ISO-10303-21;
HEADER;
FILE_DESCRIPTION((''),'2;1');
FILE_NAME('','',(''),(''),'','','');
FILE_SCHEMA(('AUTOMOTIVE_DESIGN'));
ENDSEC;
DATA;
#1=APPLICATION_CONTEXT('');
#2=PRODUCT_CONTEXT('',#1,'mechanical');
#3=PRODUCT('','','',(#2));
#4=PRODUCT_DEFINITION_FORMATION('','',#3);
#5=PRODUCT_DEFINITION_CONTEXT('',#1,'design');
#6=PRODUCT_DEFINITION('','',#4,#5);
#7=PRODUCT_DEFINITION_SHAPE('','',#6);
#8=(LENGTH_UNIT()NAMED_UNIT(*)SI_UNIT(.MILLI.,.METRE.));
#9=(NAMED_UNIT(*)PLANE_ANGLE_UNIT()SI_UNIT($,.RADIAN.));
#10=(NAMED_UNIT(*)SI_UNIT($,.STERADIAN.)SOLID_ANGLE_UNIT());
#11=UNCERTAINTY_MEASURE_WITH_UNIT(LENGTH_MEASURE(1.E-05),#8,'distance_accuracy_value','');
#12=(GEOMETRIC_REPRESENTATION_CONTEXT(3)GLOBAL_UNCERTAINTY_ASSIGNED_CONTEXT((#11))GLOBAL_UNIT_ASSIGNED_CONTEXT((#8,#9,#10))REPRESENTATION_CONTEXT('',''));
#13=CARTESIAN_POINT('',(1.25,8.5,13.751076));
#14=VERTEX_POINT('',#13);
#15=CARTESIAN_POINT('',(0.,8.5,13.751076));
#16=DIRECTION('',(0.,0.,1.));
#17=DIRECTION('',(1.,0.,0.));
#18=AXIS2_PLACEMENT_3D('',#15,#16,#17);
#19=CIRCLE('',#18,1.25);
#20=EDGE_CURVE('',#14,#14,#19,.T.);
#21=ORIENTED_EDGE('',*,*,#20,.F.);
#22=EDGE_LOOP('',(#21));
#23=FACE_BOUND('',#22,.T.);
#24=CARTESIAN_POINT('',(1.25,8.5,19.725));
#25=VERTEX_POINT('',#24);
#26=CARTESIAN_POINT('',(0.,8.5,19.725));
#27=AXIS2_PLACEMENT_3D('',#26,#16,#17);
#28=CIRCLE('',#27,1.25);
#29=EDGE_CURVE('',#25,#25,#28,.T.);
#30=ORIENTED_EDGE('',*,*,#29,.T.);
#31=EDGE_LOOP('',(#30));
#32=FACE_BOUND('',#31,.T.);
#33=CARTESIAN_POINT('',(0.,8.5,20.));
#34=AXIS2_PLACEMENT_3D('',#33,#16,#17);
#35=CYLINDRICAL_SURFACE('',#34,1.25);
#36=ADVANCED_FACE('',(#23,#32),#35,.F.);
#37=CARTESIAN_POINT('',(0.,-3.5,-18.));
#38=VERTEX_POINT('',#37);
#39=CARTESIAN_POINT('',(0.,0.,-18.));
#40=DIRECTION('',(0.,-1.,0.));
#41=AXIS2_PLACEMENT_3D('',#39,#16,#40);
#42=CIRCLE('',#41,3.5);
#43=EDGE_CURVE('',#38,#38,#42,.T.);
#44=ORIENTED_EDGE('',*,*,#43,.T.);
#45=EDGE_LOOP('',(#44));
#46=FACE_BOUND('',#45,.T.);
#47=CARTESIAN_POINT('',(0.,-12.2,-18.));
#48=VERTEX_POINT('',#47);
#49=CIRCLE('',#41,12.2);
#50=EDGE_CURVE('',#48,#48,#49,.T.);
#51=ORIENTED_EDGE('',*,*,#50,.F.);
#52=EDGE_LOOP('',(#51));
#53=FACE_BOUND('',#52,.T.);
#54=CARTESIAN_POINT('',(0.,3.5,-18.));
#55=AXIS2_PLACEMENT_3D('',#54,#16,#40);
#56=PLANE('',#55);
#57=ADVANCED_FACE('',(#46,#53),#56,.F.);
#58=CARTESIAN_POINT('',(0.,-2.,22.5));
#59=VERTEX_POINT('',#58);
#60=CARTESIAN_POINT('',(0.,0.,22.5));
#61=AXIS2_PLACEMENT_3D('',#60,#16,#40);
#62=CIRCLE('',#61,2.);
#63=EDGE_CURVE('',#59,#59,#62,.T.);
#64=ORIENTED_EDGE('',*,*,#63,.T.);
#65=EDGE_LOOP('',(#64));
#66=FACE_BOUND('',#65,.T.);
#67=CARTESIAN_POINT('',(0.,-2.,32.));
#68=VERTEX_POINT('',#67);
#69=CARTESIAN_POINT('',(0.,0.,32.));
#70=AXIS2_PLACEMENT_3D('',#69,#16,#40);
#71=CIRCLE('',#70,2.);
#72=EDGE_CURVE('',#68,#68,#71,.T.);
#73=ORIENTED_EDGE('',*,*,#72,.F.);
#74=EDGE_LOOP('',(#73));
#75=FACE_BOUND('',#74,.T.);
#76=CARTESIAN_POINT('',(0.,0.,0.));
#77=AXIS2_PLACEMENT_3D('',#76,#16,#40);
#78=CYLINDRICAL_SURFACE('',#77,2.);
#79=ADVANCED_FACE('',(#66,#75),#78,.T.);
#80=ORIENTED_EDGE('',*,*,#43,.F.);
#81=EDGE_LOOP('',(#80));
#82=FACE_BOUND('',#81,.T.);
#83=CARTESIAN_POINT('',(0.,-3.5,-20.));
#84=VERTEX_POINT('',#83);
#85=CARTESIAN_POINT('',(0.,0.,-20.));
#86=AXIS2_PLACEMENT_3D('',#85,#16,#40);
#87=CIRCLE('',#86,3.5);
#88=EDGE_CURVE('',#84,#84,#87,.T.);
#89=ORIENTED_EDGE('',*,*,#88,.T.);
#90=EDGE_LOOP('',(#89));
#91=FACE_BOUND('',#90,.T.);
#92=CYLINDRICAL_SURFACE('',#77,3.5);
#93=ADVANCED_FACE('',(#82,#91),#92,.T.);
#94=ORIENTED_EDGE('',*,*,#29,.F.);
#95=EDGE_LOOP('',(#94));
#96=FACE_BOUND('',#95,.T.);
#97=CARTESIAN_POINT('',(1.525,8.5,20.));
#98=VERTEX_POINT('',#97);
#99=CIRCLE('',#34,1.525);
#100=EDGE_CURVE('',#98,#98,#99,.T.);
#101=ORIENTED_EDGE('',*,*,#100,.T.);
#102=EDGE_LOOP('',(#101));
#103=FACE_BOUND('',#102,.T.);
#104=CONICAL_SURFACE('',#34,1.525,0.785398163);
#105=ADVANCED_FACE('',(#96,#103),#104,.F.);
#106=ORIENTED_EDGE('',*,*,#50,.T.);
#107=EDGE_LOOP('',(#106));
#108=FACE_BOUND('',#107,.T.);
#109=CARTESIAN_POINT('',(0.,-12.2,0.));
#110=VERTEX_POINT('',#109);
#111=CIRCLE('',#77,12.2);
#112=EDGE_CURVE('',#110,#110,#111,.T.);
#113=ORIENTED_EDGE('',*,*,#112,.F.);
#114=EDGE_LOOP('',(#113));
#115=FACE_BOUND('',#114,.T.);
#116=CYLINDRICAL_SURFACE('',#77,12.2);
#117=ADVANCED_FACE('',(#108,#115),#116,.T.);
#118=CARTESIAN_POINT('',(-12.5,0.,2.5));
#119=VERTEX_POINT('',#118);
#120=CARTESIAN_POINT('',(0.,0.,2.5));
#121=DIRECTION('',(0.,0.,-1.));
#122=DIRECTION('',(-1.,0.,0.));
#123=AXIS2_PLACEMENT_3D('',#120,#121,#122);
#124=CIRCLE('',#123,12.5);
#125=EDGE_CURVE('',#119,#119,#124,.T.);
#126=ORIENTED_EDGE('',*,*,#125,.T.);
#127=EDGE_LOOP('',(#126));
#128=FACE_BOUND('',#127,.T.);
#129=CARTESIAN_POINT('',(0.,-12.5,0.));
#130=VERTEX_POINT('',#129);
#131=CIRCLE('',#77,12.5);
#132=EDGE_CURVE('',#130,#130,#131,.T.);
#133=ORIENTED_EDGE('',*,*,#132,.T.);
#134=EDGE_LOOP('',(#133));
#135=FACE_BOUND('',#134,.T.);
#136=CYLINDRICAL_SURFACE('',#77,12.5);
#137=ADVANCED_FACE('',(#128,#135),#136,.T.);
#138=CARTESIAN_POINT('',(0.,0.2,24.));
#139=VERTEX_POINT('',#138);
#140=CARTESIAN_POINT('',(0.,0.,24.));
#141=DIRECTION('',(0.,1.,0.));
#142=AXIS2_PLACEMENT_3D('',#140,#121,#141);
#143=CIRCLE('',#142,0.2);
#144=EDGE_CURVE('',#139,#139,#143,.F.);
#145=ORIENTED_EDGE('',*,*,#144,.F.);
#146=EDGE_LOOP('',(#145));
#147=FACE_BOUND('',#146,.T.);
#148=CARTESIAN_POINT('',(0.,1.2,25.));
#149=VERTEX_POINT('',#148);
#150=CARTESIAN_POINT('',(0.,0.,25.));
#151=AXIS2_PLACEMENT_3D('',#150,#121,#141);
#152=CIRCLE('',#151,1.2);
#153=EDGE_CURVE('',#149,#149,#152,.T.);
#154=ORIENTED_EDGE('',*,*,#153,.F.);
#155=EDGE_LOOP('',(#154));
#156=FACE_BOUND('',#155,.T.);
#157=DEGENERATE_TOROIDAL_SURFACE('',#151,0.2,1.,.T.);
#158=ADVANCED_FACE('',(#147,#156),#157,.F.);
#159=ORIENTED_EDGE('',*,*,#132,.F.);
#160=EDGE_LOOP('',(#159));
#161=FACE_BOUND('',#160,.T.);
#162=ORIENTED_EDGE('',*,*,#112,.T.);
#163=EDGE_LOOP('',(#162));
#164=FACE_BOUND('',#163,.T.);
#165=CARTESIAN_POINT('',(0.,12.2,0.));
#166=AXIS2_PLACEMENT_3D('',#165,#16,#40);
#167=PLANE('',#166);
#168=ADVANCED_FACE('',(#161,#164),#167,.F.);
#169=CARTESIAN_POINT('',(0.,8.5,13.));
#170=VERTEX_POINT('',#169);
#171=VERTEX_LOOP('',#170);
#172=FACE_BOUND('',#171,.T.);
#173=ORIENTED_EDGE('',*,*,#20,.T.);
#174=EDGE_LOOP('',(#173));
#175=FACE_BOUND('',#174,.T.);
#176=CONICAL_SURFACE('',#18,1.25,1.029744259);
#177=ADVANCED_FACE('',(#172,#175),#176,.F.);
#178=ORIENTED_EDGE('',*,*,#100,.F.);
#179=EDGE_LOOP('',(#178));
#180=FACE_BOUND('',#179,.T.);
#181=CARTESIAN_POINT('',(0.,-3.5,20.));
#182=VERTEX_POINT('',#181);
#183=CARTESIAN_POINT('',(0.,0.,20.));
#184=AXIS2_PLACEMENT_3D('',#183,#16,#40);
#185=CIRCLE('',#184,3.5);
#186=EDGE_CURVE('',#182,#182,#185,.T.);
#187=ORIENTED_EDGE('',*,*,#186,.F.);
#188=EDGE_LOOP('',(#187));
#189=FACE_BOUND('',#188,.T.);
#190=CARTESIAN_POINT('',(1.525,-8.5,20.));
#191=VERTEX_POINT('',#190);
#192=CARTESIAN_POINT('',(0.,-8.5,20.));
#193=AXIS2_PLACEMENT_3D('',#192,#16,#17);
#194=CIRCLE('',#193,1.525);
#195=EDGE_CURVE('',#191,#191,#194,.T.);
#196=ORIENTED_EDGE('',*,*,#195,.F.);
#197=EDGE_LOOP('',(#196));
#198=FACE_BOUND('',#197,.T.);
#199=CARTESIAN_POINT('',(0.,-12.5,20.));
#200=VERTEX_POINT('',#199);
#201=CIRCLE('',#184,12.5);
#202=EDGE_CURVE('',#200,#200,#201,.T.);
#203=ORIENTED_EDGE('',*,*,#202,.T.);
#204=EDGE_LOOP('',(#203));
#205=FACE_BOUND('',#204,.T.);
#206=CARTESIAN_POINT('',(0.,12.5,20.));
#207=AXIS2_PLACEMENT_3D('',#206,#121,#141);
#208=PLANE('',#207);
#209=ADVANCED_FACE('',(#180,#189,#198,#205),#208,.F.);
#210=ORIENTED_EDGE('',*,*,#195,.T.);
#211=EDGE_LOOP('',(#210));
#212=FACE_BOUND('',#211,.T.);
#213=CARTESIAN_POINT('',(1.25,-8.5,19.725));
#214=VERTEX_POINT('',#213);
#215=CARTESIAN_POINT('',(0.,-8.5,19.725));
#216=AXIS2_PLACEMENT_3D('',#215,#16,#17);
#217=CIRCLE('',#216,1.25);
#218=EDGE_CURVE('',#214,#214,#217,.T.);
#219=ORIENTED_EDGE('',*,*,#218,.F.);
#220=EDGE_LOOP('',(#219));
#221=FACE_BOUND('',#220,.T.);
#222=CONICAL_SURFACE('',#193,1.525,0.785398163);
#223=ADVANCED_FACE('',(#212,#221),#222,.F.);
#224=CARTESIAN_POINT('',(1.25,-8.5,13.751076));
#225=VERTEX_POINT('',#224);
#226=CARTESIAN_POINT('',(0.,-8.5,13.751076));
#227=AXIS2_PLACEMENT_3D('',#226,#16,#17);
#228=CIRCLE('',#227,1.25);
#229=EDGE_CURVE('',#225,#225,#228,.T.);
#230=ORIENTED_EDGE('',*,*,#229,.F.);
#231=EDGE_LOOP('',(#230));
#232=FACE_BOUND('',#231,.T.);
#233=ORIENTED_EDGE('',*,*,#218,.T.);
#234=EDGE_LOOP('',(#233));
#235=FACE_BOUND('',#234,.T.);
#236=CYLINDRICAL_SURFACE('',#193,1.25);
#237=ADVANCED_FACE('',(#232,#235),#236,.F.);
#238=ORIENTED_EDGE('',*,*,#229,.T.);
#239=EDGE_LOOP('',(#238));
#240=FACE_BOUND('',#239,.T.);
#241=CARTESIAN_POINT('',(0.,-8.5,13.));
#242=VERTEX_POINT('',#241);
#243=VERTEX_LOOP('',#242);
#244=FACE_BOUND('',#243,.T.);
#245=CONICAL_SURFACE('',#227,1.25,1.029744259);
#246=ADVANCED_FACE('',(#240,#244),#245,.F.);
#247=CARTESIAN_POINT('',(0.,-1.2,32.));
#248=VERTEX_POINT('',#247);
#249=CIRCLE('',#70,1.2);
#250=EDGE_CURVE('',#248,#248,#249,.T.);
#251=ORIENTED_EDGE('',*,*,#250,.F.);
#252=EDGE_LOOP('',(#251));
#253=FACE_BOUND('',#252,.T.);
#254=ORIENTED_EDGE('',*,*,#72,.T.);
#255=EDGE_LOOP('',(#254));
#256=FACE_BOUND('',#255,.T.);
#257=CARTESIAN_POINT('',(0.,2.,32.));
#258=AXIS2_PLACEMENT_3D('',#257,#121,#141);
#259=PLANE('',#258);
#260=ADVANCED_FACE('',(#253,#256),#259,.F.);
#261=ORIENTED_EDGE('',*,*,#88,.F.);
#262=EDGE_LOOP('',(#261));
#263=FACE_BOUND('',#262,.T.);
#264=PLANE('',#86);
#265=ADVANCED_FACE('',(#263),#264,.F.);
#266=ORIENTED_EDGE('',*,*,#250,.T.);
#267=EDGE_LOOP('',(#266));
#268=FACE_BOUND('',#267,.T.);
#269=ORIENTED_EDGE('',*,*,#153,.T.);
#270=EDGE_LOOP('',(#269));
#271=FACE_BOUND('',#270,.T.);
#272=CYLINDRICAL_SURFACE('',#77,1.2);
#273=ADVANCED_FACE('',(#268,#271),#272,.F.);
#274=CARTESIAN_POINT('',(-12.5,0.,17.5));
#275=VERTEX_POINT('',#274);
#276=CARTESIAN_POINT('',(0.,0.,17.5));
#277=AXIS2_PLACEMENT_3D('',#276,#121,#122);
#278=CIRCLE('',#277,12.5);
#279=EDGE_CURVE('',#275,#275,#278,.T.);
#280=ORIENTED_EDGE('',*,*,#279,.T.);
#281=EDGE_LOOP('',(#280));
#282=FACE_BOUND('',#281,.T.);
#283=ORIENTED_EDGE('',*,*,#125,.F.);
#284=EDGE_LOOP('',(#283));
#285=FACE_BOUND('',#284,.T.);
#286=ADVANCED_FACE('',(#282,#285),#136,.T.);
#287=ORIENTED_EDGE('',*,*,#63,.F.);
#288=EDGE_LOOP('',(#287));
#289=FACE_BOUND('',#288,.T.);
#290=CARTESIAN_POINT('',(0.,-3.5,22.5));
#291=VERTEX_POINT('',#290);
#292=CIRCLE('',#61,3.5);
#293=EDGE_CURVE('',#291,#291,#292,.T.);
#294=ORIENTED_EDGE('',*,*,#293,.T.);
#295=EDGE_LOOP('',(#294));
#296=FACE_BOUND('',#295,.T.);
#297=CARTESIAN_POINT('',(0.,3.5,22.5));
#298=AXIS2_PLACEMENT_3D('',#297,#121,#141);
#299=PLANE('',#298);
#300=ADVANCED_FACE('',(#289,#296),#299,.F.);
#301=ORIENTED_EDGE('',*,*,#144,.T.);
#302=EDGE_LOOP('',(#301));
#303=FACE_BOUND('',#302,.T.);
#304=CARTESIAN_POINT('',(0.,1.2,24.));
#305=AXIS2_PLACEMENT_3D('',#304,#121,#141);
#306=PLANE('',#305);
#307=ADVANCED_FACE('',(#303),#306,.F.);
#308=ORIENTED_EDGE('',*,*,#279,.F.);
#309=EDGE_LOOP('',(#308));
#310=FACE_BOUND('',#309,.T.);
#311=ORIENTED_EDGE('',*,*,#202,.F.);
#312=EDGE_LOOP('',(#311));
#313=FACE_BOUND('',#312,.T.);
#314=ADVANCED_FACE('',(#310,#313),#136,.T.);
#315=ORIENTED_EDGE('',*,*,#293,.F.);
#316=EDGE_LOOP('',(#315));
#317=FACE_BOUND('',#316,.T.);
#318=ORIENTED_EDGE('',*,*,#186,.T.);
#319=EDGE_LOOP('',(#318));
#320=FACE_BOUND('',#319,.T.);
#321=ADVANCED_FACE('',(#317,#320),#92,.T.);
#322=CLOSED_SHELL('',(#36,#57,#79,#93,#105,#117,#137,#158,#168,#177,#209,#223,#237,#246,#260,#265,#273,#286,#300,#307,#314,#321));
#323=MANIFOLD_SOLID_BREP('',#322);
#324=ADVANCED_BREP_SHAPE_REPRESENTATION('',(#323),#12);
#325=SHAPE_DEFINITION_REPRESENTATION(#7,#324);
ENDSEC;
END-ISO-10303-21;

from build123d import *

# Parameters (mm, degrees)
M3X0_5_TAPPED_HOLE1_D           = 2.5
M3X0_5_TAPPED_HOLE1_DEPTH       = 6.248924226
M3X0_5_TAPPED_HOLE1_CSINK_D     = 3.05
M3X0_5_TAPPED_HOLE1_CSINK_ANGLE = 90
M3X0_5_TAPPED_HOLE1_TIP         = 0.751075774
FILLET1_R                       = 1


with BuildPart() as part:
    # Sketch1 → Revolve1 (revolve)
    with BuildSketch(Plane(origin=(0, 0, 0), x_dir=(0, 0, -1), z_dir=(1, 0, 0)), mode=Mode.PRIVATE) as revolve1_sk:
        Polygon((20, 0), (20, 3.5), (18, 3.5), (18, 12.2), (0, 12.2), (0, 12.5), (-20, 12.5), (-20, 3.5), (-22.5, 3.5), (-22.5, 2), (-32, 2), (-32, 1.2), (-24, 1.2), (-24, 0), align=None)
    revolve(revolve1_sk.sketch.rotate(Axis((0, 0, 0), (0, 0, -1)), 180), axis=Axis((0, 0, 0), (0, 0, -1)))

    # M3x0.5 Tapped Hole1
    with Locations(Plane.XY.offset(20)):
        with Locations((0, 8.5), (0, -8.5)):
            CounterSinkHole(M3X0_5_TAPPED_HOLE1_D / 2, M3X0_5_TAPPED_HOLE1_CSINK_D / 2, depth=M3X0_5_TAPPED_HOLE1_DEPTH, counter_sink_angle=M3X0_5_TAPPED_HOLE1_CSINK_ANGLE)
            with Locations((0, 0, -(M3X0_5_TAPPED_HOLE1_DEPTH + M3X0_5_TAPPED_HOLE1_TIP / 2))):  # 118° drill point
                Cone(0, M3X0_5_TAPPED_HOLE1_D / 2, M3X0_5_TAPPED_HOLE1_TIP, mode=Mode.SUBTRACT)

    # Fillet1
    fillet1_edges = [part.edges().sort_by_distance(p)[0] for p in [
        (0, 1.2, 24),
    ]]
    fillet(fillet1_edges, radius=FILLET1_R)


solid = part.part
